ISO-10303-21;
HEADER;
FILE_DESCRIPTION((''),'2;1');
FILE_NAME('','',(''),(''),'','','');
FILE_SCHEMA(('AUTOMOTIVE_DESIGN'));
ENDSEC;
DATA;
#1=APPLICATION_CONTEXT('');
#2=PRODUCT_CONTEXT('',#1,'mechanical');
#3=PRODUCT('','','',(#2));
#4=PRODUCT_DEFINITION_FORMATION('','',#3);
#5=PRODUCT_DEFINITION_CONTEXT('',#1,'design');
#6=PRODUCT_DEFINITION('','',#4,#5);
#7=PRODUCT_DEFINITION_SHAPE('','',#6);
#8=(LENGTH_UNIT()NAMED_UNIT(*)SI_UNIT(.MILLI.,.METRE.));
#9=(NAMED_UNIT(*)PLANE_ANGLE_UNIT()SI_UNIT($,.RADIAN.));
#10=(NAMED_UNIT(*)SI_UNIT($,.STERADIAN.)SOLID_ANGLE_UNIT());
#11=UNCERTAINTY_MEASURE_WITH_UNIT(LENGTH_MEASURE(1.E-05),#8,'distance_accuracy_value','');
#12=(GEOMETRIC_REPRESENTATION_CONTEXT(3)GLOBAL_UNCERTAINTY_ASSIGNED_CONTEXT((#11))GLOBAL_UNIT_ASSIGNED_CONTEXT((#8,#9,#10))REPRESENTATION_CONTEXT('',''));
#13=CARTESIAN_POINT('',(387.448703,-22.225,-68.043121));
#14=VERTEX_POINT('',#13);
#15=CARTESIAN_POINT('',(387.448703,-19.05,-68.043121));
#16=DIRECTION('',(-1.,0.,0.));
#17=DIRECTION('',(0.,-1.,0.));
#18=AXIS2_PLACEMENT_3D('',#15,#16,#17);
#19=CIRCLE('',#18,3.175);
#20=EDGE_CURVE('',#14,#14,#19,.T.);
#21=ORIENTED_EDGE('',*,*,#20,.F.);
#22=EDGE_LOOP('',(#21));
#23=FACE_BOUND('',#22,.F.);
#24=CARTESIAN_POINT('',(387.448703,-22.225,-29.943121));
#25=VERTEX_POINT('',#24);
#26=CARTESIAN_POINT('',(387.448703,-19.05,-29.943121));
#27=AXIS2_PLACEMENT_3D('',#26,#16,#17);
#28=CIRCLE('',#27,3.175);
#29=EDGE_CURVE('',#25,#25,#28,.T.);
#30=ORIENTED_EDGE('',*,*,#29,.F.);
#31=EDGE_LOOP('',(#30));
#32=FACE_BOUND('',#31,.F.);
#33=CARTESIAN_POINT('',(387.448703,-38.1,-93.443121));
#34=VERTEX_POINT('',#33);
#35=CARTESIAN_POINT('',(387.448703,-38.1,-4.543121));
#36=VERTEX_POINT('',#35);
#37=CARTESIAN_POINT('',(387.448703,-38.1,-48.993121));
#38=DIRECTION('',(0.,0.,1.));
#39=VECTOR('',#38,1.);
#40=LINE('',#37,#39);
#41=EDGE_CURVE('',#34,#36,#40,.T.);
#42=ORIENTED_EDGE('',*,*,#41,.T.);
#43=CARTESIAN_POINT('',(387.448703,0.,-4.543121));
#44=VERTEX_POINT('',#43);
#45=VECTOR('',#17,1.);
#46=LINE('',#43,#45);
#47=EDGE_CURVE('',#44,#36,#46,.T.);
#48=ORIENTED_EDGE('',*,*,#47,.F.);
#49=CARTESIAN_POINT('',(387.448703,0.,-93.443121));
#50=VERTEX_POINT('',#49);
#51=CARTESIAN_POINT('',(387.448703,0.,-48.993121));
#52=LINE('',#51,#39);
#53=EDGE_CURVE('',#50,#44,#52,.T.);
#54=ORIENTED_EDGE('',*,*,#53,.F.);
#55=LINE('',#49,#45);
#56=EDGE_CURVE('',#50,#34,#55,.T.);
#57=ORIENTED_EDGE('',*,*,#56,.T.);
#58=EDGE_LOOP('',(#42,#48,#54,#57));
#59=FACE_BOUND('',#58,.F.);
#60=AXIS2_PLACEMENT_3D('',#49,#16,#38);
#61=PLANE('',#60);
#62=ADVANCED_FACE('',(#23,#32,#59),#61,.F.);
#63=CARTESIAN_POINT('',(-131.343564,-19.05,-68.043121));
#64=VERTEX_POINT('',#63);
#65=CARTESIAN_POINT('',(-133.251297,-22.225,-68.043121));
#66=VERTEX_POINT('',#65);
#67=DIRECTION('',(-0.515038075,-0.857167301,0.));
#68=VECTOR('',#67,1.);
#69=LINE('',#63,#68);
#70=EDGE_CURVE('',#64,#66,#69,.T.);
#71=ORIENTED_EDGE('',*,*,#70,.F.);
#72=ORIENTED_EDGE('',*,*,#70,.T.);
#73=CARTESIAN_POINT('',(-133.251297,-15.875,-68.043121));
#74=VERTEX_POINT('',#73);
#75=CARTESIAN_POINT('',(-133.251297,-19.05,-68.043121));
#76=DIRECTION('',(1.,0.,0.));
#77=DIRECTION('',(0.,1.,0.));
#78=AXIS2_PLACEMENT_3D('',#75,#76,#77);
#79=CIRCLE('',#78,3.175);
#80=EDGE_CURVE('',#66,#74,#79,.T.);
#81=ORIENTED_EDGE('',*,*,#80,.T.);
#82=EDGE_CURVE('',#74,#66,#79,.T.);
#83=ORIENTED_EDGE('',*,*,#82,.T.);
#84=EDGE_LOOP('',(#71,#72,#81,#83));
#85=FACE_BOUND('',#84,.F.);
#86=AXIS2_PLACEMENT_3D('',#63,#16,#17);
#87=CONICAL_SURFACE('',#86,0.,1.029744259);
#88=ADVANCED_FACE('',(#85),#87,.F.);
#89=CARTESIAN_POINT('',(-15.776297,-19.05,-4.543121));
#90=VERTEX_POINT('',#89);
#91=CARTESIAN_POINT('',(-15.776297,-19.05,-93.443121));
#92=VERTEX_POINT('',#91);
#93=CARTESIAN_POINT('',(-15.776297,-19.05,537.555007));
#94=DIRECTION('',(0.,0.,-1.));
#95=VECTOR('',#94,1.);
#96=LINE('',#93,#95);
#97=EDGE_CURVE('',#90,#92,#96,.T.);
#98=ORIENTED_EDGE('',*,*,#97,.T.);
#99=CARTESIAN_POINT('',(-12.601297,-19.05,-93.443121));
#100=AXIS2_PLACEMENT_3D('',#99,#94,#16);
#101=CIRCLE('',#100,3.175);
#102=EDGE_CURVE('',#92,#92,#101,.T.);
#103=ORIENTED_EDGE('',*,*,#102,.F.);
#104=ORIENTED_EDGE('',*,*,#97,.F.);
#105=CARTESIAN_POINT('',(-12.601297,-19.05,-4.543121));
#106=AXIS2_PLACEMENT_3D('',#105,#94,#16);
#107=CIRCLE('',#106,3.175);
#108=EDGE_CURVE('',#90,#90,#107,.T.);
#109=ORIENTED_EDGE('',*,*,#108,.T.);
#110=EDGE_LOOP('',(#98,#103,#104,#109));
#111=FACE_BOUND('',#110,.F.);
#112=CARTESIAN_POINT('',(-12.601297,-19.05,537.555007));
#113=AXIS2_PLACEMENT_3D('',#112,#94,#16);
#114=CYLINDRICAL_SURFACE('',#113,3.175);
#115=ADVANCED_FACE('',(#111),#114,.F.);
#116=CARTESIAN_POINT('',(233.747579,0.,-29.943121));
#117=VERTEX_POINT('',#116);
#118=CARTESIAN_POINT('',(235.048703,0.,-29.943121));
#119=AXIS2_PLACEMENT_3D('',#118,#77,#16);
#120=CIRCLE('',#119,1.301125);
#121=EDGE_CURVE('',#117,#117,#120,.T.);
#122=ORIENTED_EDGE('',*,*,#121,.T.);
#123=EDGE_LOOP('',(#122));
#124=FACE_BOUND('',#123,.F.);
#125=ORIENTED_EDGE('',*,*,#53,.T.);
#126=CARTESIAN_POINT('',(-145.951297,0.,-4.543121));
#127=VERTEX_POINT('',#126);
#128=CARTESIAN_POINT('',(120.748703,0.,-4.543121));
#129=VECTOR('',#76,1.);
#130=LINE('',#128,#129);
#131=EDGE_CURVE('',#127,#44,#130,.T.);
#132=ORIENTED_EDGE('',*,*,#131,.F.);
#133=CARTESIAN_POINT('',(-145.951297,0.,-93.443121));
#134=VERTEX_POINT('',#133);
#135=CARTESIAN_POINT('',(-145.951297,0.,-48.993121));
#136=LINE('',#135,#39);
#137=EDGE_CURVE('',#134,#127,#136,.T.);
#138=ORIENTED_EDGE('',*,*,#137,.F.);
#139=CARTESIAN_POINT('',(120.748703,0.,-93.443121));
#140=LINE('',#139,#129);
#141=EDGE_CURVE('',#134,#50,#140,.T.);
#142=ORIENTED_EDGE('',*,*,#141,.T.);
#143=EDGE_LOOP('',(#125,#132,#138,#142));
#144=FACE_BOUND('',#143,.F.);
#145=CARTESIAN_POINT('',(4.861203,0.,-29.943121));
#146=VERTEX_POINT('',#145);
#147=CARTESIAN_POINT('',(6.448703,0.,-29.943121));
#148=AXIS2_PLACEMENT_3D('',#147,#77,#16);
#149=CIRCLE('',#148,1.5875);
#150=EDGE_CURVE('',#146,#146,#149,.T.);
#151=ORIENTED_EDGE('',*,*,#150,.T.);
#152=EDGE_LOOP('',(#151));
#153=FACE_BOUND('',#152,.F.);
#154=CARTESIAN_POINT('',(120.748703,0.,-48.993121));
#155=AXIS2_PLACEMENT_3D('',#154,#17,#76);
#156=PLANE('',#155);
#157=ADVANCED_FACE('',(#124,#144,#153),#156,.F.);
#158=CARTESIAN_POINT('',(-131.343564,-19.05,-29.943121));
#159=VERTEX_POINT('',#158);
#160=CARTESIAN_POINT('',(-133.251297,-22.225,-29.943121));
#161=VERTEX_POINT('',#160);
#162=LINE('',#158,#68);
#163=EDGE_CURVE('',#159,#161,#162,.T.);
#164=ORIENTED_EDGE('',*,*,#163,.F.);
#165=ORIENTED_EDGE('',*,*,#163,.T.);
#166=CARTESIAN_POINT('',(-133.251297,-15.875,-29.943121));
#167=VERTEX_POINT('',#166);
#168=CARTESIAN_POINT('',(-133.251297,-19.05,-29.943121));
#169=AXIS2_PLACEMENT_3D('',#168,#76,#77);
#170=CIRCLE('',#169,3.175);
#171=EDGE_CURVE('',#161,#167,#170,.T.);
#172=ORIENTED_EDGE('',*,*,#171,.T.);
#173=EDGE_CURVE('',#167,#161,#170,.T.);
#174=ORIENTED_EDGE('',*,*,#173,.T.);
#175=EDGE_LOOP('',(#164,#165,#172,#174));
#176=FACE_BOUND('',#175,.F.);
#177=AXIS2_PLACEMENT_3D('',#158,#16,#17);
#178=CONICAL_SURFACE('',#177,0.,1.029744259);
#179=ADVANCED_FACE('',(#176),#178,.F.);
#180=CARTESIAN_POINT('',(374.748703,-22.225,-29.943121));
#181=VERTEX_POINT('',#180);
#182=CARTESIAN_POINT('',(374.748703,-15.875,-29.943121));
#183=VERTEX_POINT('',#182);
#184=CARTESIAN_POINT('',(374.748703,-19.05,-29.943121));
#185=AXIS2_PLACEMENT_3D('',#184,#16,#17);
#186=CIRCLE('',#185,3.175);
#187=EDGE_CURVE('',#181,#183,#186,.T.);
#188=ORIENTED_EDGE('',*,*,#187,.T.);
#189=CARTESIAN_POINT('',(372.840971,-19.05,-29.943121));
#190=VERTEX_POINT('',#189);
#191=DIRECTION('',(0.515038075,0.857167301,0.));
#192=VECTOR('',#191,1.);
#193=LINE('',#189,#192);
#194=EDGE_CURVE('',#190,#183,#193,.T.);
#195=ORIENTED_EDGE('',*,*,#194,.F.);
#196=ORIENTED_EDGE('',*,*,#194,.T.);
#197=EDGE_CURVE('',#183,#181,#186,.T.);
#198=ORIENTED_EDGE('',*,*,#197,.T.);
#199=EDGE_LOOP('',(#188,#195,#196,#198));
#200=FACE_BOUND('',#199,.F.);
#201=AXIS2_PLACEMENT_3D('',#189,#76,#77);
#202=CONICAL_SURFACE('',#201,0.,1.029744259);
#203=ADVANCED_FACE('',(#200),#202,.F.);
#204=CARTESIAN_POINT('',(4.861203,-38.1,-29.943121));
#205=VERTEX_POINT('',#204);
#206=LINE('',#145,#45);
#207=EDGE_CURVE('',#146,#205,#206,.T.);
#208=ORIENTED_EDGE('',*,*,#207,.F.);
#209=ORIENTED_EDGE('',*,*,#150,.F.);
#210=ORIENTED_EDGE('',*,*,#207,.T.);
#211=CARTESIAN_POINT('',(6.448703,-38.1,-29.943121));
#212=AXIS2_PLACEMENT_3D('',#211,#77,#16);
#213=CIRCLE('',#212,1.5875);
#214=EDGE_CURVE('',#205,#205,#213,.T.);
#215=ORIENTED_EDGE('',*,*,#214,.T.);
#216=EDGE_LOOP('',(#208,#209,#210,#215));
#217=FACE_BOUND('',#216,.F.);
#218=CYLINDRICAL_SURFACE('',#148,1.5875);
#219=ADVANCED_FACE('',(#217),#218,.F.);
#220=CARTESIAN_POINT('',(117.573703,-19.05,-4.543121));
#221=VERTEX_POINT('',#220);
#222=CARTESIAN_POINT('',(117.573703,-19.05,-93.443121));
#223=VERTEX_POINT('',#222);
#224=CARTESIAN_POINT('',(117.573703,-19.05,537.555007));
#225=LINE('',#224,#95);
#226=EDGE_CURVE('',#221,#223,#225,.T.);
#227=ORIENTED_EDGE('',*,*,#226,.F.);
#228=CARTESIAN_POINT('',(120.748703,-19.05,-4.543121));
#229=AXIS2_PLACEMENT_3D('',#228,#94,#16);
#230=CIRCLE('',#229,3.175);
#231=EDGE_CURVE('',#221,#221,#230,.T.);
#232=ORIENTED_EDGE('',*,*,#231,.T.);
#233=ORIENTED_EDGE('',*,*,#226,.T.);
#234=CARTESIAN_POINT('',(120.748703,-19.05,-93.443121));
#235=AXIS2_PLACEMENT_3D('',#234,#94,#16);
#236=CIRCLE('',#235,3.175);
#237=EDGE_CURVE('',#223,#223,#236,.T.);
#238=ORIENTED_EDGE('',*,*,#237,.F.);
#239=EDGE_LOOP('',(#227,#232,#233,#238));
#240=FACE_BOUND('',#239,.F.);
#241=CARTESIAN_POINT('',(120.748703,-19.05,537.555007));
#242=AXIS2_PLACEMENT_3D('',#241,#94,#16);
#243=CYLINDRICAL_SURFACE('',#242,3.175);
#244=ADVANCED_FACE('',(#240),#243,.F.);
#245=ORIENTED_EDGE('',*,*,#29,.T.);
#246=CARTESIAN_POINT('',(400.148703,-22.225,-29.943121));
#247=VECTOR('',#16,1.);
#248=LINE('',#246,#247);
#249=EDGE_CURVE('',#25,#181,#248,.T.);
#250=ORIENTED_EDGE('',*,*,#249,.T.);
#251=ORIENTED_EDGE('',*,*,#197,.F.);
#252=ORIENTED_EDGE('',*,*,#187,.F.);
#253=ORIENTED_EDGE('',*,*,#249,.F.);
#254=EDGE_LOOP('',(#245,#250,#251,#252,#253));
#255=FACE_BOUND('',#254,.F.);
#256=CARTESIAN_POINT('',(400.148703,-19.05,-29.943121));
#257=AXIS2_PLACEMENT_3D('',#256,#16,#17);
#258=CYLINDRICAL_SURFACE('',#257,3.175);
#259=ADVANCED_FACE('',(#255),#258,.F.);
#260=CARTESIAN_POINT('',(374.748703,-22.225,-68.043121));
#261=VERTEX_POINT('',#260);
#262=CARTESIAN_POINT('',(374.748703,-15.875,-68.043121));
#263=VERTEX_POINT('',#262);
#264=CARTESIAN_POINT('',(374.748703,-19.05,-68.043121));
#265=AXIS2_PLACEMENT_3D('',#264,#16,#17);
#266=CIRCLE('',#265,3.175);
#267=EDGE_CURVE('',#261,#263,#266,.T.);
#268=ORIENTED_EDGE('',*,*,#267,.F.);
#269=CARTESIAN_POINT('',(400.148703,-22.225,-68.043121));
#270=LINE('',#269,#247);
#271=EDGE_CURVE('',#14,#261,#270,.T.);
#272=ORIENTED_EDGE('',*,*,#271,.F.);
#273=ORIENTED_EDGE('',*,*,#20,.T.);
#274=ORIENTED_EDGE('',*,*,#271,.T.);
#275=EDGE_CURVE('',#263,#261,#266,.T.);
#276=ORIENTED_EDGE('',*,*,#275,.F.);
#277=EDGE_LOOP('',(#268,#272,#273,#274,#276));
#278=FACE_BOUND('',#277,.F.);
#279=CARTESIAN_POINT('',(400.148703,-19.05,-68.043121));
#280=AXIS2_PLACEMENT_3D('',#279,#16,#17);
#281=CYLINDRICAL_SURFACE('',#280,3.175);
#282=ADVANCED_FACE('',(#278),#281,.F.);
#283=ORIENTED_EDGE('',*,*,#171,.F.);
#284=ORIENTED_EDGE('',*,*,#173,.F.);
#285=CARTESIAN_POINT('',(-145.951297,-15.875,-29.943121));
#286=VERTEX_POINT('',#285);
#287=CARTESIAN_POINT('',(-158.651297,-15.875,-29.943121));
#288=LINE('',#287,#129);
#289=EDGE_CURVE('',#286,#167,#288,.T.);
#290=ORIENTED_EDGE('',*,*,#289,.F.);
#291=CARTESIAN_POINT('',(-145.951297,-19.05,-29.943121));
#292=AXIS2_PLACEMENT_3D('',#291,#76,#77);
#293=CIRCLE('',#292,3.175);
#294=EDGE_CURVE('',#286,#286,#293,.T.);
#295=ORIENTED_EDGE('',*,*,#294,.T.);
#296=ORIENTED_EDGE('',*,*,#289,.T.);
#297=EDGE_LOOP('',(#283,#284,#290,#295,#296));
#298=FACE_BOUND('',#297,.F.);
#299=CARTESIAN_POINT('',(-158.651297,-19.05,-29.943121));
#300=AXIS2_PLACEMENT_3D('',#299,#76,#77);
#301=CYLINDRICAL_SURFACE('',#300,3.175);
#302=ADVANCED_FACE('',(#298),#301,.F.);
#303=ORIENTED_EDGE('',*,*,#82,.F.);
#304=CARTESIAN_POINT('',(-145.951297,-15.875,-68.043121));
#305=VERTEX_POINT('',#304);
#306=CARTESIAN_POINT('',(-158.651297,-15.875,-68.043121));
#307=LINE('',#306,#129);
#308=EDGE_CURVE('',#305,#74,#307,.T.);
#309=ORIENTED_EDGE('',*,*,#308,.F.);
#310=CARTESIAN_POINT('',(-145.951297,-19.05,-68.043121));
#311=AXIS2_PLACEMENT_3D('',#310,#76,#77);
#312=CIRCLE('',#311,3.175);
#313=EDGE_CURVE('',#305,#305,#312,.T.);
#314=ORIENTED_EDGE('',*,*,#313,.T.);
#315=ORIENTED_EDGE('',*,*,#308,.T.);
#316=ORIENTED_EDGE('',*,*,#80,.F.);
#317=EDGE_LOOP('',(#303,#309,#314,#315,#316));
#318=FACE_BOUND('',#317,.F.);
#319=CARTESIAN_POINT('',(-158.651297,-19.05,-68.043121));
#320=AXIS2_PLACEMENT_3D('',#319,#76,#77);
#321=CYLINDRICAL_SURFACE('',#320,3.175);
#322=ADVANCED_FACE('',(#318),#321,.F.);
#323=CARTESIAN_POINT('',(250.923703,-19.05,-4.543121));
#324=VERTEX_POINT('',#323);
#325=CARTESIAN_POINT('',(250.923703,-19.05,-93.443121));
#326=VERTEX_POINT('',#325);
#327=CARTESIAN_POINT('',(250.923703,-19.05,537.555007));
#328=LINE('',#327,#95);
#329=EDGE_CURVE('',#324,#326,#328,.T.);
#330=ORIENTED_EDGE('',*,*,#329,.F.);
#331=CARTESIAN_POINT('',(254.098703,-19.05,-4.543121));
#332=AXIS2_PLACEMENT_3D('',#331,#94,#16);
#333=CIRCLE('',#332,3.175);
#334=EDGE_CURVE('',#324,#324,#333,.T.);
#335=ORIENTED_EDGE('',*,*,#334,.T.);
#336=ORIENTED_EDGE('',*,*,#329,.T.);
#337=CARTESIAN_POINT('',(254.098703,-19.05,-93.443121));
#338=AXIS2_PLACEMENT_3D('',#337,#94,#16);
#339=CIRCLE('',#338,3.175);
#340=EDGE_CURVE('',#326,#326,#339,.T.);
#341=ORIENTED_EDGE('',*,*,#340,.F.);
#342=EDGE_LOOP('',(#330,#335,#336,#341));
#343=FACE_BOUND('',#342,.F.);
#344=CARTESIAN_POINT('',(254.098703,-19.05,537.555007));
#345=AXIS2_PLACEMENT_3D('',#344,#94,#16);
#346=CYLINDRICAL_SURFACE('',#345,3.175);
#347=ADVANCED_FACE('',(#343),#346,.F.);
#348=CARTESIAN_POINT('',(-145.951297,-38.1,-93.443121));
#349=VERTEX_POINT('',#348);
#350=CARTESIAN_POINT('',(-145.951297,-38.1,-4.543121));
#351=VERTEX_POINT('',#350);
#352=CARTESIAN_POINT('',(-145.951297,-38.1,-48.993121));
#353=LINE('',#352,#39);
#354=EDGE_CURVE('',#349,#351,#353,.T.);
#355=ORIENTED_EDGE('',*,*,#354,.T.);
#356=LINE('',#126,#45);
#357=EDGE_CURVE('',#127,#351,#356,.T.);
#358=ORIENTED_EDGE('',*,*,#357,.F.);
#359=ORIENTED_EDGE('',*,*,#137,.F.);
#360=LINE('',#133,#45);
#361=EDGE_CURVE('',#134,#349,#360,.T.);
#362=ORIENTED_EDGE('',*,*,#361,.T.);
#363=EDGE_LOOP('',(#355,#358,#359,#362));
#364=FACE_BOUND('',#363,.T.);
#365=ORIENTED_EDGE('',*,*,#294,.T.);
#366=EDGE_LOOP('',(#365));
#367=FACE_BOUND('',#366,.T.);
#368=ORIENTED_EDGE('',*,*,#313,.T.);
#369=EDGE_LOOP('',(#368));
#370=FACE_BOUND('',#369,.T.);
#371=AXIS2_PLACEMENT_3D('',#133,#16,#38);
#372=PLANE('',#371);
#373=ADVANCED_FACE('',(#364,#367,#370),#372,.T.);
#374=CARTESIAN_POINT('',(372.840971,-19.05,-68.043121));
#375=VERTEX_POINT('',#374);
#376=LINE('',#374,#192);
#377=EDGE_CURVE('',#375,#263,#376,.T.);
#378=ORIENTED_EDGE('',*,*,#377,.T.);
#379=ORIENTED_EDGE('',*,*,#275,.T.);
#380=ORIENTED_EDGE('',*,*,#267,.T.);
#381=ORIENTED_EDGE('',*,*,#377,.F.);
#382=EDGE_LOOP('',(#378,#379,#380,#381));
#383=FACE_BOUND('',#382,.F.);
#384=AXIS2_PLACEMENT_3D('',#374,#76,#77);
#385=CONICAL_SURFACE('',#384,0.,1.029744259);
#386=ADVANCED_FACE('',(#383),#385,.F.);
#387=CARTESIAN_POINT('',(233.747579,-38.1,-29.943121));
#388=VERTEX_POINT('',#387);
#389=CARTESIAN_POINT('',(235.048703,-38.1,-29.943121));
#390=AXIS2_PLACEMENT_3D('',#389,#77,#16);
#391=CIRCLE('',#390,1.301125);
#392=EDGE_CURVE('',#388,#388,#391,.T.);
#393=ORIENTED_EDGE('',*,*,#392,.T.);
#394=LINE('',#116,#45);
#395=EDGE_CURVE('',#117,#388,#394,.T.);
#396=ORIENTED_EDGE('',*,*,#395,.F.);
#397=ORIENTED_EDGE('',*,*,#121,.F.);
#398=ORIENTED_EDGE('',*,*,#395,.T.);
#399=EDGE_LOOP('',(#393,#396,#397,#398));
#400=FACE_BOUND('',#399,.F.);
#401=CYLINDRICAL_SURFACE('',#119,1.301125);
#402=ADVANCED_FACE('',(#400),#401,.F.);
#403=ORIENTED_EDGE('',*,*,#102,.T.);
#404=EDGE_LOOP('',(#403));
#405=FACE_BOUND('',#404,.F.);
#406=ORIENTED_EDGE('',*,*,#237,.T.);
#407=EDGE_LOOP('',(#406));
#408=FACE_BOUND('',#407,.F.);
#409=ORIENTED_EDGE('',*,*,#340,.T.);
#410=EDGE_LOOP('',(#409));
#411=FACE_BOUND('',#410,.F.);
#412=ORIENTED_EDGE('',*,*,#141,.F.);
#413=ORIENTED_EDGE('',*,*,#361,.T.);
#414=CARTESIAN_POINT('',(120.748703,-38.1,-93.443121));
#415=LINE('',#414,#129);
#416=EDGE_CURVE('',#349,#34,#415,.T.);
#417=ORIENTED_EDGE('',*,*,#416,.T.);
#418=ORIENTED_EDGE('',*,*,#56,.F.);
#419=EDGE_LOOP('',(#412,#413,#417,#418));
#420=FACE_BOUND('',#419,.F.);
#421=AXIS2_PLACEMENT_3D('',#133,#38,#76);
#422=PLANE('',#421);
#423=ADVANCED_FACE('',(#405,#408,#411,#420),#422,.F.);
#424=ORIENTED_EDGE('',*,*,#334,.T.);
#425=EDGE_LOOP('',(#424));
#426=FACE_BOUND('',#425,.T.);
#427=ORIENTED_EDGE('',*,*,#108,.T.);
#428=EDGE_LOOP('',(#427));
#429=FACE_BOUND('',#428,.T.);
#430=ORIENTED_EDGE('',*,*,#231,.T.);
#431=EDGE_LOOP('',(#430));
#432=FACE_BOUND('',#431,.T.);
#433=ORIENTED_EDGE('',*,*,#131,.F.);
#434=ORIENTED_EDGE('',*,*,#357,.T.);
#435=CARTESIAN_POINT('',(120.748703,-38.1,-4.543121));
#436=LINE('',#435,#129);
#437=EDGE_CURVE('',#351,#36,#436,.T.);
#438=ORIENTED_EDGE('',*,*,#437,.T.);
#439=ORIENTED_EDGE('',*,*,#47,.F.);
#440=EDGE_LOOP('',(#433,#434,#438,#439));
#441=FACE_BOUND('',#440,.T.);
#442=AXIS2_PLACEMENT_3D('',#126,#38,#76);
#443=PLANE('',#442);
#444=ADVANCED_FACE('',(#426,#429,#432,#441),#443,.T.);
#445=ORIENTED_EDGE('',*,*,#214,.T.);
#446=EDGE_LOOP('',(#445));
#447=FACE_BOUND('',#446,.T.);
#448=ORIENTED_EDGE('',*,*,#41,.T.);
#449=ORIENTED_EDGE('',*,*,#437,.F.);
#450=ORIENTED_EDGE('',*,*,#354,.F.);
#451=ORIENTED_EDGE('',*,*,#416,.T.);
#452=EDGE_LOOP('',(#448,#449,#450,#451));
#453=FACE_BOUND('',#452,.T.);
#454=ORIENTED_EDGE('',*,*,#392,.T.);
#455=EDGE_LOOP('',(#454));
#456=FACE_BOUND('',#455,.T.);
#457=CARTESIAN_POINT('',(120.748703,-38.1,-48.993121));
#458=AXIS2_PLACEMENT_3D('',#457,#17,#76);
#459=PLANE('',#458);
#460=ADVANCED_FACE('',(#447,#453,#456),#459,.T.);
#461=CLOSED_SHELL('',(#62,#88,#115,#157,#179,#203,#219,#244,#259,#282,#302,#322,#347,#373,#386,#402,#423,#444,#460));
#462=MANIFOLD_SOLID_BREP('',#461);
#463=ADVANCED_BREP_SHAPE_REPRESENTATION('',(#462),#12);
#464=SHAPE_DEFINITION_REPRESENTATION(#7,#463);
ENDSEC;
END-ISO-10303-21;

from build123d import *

# Parameters (mm, degrees)
F0_W     = 533.4
F0_H     = 88.9
F1_DEPTH = 38.1
F3_D     = 6.35
F3_DEPTH = 12.7
F3_TIP   = 1.9077324654
F5_D     = 6.35
F5_DEPTH = 12.7
F5_TIP   = 1.9077324654
F7_D     = 6.35
F8_R     = 1.3011245906
F8_R_2   = 1.5875
F9_DEPTH = 38.101


with BuildPart() as f1:
    # F0 (on Front) → F1 (new body)
    with BuildSketch(Plane.XZ):
        with Locations((120.748703318, -48.9931209013)):
            Rectangle(F0_W, F0_H)
    extrude(amount=F1_DEPTH)

    # F3
    with Locations(Plane.YZ.offset(387.448703318)):
        with Locations((-19.05, -29.9431209013), (-19.05, -68.0431209013)):
            Hole(F3_D / 2, depth=F3_DEPTH)
            with Locations((0, 0, -(F3_DEPTH + F3_TIP / 2))):  # 118° drill point
                Cone(0, F3_D / 2, F3_TIP, mode=Mode.SUBTRACT)

    # F5
    with Locations(Plane(origin=(-145.951296682, 0, 0), x_dir=(0, -1, 0), z_dir=(-1, 0, 0))):
        with Locations((19.05, -29.9431209013), (19.05, -68.0431209013)):
            Hole(F5_D / 2, depth=F5_DEPTH)
            with Locations((0, 0, -(F5_DEPTH + F5_TIP / 2))):  # 118° drill point
                Cone(0, F5_D / 2, F5_TIP, mode=Mode.SUBTRACT)

    # F7 (through all)
    with Locations(Plane.XY.offset(-4.5431209013)):
        with Locations((-12.601296682, -19.05), (120.748703318, -19.05), (254.098703318, -19.05)):
            Hole(F7_D / 2)

    # F8 (on face) → F9 (cut, through all)
    with BuildSketch(Plane(origin=(0, 0, 0), x_dir=(-1, 0, 0), z_dir=(0, 1, 0))):
        with Locations((-235.048703318, -29.9431209013)):
            Circle(F8_R)
        with Locations((-6.448703318, -29.9431209013)):
            Circle(F8_R_2)
    extrude(amount=-F9_DEPTH, mode=Mode.SUBTRACT)


solid = f1.part
